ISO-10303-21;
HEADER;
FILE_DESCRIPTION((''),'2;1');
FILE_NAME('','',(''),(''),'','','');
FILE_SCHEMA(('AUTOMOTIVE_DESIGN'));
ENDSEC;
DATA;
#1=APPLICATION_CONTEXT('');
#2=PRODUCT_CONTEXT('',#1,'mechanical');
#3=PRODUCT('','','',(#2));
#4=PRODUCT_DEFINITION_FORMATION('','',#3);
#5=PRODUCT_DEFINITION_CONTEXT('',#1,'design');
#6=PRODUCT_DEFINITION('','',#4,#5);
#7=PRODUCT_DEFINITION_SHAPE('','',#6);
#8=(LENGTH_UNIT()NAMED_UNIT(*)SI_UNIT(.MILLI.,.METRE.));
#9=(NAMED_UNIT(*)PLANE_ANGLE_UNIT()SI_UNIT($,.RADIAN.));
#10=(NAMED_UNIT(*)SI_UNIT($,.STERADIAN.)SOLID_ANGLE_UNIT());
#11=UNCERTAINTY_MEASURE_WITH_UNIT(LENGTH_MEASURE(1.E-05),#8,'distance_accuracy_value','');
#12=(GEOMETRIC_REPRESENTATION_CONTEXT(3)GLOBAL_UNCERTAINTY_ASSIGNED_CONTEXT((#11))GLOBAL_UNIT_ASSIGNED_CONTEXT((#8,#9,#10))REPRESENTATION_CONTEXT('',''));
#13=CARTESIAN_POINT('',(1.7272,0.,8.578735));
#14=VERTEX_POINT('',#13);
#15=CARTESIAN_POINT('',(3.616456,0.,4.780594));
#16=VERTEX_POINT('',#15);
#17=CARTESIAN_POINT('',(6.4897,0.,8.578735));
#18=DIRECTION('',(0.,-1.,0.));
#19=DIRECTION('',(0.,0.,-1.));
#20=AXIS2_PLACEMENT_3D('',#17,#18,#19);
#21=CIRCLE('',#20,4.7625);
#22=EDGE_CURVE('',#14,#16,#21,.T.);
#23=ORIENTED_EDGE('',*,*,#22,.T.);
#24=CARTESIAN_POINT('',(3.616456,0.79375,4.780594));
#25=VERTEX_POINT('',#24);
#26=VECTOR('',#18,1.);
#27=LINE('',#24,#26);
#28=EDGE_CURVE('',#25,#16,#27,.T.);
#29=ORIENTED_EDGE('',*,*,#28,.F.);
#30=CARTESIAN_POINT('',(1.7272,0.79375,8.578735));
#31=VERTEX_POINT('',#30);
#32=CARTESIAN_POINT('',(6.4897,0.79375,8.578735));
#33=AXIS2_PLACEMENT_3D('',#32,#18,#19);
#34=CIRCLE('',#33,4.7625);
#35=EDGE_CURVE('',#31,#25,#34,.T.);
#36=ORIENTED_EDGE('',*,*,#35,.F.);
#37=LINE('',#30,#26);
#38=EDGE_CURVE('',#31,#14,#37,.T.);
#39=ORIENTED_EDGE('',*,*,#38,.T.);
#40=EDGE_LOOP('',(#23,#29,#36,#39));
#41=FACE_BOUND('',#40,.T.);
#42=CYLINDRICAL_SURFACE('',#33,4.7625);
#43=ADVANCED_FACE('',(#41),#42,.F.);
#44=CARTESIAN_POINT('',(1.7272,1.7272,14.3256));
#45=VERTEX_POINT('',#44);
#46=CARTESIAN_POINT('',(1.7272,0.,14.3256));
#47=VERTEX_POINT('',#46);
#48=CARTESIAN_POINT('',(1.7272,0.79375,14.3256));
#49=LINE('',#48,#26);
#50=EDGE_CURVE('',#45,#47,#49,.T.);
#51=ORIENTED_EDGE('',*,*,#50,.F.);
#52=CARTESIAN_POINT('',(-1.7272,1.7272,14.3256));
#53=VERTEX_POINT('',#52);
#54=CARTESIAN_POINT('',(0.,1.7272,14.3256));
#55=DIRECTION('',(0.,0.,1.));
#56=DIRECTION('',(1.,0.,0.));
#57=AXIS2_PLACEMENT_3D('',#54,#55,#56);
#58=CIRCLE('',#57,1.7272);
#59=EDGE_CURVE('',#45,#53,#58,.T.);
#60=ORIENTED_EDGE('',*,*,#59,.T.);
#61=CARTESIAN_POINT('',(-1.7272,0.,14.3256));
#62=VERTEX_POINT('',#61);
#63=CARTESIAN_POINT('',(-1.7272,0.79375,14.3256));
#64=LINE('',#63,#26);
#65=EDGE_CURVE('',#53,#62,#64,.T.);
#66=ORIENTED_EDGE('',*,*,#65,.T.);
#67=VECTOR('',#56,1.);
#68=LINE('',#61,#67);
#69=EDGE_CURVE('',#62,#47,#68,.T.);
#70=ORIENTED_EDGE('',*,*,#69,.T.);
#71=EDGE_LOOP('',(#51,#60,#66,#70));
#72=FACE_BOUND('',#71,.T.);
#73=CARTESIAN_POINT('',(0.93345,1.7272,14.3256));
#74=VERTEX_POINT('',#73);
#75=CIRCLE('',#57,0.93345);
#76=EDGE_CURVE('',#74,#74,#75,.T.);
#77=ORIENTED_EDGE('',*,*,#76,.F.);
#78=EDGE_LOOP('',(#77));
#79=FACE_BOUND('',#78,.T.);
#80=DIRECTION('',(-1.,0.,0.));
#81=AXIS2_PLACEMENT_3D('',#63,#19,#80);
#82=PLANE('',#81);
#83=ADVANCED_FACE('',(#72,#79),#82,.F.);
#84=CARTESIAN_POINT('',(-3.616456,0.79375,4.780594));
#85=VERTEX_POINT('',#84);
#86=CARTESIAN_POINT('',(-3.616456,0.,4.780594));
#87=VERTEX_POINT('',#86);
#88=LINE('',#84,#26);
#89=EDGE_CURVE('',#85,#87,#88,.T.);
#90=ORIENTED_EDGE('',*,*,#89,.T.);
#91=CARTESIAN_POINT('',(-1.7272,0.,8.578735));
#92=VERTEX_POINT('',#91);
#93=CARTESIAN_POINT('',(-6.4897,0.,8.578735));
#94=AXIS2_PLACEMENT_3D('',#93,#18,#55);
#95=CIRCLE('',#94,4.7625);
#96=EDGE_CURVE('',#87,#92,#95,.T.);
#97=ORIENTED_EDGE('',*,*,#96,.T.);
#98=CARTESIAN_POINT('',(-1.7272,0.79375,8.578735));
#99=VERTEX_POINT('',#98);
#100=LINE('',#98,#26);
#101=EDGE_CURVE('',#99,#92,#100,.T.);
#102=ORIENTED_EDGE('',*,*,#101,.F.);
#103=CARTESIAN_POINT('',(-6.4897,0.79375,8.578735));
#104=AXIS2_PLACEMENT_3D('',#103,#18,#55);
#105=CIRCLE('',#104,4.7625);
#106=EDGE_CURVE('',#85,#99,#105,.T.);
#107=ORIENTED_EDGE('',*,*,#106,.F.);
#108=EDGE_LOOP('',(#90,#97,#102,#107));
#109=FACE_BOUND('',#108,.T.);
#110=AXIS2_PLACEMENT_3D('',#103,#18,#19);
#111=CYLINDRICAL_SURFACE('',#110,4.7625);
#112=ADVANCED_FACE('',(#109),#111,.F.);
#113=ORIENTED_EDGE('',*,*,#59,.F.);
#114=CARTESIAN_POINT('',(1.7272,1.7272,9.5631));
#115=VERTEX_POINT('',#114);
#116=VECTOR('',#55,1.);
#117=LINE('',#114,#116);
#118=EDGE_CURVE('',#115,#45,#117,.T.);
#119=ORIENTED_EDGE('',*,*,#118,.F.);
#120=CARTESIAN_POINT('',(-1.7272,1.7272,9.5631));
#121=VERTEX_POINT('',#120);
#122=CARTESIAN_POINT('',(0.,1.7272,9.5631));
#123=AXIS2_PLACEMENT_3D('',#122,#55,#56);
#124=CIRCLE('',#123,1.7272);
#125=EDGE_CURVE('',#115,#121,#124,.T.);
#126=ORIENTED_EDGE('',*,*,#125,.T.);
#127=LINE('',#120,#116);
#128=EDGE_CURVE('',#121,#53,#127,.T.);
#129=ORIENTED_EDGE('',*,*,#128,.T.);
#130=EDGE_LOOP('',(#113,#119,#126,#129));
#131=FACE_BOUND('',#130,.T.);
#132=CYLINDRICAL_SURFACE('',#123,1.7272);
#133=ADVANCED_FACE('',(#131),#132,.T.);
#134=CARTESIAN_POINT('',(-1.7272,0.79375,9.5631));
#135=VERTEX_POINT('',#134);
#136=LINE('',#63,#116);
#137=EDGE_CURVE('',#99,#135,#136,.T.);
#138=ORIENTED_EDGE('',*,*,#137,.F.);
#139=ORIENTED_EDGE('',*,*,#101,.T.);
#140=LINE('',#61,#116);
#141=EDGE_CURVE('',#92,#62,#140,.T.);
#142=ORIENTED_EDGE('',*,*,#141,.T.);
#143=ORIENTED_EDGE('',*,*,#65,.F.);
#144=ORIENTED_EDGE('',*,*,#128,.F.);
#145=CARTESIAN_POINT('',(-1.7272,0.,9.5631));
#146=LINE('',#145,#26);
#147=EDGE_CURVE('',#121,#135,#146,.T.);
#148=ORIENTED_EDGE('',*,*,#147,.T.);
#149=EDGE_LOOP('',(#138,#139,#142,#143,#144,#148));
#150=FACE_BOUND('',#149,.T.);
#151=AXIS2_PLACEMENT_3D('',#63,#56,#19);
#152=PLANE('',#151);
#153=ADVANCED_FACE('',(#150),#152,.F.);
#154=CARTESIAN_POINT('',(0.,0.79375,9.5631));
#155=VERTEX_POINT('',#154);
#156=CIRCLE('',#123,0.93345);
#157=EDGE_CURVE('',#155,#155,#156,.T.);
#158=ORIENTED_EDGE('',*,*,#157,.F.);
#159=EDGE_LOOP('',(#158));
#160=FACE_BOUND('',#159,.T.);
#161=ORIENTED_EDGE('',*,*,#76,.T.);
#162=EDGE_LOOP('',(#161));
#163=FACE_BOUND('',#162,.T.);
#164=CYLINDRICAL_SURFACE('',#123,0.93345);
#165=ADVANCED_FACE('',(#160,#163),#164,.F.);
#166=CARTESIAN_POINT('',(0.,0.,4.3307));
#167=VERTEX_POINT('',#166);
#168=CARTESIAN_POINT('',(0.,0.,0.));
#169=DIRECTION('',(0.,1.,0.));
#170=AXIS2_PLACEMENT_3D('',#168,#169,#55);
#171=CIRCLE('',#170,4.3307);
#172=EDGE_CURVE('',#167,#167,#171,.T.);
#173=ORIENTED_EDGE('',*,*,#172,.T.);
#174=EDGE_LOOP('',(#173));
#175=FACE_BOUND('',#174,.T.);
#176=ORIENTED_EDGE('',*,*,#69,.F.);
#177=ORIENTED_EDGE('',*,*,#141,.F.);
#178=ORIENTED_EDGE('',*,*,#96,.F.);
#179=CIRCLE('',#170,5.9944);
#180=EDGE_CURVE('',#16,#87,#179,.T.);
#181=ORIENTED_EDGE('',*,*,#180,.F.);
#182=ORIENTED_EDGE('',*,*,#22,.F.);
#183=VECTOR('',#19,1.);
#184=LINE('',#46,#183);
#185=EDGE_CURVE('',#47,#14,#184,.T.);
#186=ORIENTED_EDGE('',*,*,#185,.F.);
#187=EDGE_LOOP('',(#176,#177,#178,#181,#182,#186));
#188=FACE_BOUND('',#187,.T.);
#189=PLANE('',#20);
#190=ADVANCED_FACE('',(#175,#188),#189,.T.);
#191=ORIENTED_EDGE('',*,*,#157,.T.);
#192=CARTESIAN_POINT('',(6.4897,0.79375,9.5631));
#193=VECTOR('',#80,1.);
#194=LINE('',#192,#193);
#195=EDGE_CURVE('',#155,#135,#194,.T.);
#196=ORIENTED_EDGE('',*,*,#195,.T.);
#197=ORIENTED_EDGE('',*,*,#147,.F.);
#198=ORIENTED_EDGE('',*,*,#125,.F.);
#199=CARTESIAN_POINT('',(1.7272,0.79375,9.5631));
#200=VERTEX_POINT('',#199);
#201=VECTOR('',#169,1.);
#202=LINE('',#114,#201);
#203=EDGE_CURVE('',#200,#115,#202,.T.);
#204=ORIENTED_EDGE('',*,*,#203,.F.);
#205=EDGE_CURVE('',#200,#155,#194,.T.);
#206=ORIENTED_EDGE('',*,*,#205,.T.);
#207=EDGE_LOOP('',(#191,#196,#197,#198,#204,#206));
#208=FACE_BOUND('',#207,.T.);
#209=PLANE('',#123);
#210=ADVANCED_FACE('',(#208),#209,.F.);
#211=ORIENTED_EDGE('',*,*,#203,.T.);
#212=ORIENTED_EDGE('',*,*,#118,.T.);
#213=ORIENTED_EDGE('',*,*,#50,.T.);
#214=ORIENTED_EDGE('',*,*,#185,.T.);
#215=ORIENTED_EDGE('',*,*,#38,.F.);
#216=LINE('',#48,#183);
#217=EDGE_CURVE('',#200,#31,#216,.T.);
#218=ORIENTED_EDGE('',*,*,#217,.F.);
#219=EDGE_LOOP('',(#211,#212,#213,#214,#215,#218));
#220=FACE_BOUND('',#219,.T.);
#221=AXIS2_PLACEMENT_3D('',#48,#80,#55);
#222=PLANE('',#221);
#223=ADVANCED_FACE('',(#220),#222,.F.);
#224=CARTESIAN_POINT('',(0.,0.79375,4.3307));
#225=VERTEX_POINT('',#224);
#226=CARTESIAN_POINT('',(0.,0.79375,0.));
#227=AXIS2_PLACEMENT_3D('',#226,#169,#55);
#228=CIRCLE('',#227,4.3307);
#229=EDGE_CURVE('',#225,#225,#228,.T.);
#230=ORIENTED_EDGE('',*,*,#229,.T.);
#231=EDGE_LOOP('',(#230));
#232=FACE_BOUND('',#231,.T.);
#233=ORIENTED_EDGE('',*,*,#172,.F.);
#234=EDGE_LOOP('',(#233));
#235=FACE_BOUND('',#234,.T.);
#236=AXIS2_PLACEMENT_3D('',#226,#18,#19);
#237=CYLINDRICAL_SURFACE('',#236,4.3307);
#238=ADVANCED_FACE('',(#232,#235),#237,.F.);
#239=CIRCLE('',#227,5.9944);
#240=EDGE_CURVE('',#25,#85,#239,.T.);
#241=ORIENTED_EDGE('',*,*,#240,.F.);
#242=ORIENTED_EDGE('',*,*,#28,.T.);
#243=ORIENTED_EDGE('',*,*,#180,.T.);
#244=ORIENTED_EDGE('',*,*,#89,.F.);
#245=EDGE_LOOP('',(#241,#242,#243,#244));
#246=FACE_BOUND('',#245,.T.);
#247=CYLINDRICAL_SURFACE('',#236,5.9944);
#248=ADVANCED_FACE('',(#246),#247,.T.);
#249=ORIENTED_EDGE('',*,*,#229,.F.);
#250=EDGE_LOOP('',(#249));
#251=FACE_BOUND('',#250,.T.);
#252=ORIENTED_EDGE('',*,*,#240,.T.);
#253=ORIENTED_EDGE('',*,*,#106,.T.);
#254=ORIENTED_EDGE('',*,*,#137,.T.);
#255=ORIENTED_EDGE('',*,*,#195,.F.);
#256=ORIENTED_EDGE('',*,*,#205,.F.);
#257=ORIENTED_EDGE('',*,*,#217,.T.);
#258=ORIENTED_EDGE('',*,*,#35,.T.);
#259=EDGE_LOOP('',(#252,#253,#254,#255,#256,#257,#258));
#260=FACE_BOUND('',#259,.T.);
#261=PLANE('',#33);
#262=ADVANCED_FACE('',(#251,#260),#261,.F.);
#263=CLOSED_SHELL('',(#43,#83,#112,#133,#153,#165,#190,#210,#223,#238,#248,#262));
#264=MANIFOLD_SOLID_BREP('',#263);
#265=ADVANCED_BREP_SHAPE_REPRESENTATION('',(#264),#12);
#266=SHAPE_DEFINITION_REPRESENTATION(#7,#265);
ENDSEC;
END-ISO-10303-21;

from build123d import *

# Parameters (mm, degrees)
SKETCH1_R           = 4.3307
BOSS_EXTRUDE1_DEPTH = 0.79375
SKETCH2_R           = 0.93345
BOSS_EXTRUDE2_DEPTH = 4.7625


with BuildPart() as part:
    # Sketch1 → Boss-Extrude1 (new body)
    with BuildSketch(Plane(origin=(0, 0, 0), x_dir=(1, 0, 0), z_dir=(0, 1, 0))):
        with BuildLine():
            Line((-1.7272, -14.3256), (1.7272, -14.3256))
            Line((1.7272, -14.3256), (1.7272, -8.578734844))
            ThreePointArc((1.7272, -8.578734844), (2.225592247, -6.457699407), (3.616456198, -4.780593679))
            ThreePointArc((3.616456198, -4.780593679), (0, 5.9944), (-3.616456198, -4.780593679))
            ThreePointArc((-3.616456198, -4.780593679), (-2.225592247, -6.457699407), (-1.7272, -8.578734844))
            Line((-1.7272, -8.578734844), (-1.7272, -14.3256))
        make_face()
        Circle(SKETCH1_R, mode=Mode.SUBTRACT)
    extrude(amount=BOSS_EXTRUDE1_DEPTH)

    # Sketch2 → Boss-Extrude2 (add)
    with BuildSketch(Plane.XY.offset(14.3256)):
        with BuildLine():
            Line((-1.7272, 0), (-1.7272, 1.7272))
            ThreePointArc((-1.7272, 1.7272), (0, 3.4544), (1.7272, 1.7272))
            Line((1.7272, 1.7272), (1.7272, 0))
            Line((1.7272, 0), (-1.7272, 0))
        make_face()
        with Locations((0, 1.7272)):
            Circle(SKETCH2_R, mode=Mode.SUBTRACT)
    extrude(amount=-BOSS_EXTRUDE2_DEPTH)


solid = part.part
